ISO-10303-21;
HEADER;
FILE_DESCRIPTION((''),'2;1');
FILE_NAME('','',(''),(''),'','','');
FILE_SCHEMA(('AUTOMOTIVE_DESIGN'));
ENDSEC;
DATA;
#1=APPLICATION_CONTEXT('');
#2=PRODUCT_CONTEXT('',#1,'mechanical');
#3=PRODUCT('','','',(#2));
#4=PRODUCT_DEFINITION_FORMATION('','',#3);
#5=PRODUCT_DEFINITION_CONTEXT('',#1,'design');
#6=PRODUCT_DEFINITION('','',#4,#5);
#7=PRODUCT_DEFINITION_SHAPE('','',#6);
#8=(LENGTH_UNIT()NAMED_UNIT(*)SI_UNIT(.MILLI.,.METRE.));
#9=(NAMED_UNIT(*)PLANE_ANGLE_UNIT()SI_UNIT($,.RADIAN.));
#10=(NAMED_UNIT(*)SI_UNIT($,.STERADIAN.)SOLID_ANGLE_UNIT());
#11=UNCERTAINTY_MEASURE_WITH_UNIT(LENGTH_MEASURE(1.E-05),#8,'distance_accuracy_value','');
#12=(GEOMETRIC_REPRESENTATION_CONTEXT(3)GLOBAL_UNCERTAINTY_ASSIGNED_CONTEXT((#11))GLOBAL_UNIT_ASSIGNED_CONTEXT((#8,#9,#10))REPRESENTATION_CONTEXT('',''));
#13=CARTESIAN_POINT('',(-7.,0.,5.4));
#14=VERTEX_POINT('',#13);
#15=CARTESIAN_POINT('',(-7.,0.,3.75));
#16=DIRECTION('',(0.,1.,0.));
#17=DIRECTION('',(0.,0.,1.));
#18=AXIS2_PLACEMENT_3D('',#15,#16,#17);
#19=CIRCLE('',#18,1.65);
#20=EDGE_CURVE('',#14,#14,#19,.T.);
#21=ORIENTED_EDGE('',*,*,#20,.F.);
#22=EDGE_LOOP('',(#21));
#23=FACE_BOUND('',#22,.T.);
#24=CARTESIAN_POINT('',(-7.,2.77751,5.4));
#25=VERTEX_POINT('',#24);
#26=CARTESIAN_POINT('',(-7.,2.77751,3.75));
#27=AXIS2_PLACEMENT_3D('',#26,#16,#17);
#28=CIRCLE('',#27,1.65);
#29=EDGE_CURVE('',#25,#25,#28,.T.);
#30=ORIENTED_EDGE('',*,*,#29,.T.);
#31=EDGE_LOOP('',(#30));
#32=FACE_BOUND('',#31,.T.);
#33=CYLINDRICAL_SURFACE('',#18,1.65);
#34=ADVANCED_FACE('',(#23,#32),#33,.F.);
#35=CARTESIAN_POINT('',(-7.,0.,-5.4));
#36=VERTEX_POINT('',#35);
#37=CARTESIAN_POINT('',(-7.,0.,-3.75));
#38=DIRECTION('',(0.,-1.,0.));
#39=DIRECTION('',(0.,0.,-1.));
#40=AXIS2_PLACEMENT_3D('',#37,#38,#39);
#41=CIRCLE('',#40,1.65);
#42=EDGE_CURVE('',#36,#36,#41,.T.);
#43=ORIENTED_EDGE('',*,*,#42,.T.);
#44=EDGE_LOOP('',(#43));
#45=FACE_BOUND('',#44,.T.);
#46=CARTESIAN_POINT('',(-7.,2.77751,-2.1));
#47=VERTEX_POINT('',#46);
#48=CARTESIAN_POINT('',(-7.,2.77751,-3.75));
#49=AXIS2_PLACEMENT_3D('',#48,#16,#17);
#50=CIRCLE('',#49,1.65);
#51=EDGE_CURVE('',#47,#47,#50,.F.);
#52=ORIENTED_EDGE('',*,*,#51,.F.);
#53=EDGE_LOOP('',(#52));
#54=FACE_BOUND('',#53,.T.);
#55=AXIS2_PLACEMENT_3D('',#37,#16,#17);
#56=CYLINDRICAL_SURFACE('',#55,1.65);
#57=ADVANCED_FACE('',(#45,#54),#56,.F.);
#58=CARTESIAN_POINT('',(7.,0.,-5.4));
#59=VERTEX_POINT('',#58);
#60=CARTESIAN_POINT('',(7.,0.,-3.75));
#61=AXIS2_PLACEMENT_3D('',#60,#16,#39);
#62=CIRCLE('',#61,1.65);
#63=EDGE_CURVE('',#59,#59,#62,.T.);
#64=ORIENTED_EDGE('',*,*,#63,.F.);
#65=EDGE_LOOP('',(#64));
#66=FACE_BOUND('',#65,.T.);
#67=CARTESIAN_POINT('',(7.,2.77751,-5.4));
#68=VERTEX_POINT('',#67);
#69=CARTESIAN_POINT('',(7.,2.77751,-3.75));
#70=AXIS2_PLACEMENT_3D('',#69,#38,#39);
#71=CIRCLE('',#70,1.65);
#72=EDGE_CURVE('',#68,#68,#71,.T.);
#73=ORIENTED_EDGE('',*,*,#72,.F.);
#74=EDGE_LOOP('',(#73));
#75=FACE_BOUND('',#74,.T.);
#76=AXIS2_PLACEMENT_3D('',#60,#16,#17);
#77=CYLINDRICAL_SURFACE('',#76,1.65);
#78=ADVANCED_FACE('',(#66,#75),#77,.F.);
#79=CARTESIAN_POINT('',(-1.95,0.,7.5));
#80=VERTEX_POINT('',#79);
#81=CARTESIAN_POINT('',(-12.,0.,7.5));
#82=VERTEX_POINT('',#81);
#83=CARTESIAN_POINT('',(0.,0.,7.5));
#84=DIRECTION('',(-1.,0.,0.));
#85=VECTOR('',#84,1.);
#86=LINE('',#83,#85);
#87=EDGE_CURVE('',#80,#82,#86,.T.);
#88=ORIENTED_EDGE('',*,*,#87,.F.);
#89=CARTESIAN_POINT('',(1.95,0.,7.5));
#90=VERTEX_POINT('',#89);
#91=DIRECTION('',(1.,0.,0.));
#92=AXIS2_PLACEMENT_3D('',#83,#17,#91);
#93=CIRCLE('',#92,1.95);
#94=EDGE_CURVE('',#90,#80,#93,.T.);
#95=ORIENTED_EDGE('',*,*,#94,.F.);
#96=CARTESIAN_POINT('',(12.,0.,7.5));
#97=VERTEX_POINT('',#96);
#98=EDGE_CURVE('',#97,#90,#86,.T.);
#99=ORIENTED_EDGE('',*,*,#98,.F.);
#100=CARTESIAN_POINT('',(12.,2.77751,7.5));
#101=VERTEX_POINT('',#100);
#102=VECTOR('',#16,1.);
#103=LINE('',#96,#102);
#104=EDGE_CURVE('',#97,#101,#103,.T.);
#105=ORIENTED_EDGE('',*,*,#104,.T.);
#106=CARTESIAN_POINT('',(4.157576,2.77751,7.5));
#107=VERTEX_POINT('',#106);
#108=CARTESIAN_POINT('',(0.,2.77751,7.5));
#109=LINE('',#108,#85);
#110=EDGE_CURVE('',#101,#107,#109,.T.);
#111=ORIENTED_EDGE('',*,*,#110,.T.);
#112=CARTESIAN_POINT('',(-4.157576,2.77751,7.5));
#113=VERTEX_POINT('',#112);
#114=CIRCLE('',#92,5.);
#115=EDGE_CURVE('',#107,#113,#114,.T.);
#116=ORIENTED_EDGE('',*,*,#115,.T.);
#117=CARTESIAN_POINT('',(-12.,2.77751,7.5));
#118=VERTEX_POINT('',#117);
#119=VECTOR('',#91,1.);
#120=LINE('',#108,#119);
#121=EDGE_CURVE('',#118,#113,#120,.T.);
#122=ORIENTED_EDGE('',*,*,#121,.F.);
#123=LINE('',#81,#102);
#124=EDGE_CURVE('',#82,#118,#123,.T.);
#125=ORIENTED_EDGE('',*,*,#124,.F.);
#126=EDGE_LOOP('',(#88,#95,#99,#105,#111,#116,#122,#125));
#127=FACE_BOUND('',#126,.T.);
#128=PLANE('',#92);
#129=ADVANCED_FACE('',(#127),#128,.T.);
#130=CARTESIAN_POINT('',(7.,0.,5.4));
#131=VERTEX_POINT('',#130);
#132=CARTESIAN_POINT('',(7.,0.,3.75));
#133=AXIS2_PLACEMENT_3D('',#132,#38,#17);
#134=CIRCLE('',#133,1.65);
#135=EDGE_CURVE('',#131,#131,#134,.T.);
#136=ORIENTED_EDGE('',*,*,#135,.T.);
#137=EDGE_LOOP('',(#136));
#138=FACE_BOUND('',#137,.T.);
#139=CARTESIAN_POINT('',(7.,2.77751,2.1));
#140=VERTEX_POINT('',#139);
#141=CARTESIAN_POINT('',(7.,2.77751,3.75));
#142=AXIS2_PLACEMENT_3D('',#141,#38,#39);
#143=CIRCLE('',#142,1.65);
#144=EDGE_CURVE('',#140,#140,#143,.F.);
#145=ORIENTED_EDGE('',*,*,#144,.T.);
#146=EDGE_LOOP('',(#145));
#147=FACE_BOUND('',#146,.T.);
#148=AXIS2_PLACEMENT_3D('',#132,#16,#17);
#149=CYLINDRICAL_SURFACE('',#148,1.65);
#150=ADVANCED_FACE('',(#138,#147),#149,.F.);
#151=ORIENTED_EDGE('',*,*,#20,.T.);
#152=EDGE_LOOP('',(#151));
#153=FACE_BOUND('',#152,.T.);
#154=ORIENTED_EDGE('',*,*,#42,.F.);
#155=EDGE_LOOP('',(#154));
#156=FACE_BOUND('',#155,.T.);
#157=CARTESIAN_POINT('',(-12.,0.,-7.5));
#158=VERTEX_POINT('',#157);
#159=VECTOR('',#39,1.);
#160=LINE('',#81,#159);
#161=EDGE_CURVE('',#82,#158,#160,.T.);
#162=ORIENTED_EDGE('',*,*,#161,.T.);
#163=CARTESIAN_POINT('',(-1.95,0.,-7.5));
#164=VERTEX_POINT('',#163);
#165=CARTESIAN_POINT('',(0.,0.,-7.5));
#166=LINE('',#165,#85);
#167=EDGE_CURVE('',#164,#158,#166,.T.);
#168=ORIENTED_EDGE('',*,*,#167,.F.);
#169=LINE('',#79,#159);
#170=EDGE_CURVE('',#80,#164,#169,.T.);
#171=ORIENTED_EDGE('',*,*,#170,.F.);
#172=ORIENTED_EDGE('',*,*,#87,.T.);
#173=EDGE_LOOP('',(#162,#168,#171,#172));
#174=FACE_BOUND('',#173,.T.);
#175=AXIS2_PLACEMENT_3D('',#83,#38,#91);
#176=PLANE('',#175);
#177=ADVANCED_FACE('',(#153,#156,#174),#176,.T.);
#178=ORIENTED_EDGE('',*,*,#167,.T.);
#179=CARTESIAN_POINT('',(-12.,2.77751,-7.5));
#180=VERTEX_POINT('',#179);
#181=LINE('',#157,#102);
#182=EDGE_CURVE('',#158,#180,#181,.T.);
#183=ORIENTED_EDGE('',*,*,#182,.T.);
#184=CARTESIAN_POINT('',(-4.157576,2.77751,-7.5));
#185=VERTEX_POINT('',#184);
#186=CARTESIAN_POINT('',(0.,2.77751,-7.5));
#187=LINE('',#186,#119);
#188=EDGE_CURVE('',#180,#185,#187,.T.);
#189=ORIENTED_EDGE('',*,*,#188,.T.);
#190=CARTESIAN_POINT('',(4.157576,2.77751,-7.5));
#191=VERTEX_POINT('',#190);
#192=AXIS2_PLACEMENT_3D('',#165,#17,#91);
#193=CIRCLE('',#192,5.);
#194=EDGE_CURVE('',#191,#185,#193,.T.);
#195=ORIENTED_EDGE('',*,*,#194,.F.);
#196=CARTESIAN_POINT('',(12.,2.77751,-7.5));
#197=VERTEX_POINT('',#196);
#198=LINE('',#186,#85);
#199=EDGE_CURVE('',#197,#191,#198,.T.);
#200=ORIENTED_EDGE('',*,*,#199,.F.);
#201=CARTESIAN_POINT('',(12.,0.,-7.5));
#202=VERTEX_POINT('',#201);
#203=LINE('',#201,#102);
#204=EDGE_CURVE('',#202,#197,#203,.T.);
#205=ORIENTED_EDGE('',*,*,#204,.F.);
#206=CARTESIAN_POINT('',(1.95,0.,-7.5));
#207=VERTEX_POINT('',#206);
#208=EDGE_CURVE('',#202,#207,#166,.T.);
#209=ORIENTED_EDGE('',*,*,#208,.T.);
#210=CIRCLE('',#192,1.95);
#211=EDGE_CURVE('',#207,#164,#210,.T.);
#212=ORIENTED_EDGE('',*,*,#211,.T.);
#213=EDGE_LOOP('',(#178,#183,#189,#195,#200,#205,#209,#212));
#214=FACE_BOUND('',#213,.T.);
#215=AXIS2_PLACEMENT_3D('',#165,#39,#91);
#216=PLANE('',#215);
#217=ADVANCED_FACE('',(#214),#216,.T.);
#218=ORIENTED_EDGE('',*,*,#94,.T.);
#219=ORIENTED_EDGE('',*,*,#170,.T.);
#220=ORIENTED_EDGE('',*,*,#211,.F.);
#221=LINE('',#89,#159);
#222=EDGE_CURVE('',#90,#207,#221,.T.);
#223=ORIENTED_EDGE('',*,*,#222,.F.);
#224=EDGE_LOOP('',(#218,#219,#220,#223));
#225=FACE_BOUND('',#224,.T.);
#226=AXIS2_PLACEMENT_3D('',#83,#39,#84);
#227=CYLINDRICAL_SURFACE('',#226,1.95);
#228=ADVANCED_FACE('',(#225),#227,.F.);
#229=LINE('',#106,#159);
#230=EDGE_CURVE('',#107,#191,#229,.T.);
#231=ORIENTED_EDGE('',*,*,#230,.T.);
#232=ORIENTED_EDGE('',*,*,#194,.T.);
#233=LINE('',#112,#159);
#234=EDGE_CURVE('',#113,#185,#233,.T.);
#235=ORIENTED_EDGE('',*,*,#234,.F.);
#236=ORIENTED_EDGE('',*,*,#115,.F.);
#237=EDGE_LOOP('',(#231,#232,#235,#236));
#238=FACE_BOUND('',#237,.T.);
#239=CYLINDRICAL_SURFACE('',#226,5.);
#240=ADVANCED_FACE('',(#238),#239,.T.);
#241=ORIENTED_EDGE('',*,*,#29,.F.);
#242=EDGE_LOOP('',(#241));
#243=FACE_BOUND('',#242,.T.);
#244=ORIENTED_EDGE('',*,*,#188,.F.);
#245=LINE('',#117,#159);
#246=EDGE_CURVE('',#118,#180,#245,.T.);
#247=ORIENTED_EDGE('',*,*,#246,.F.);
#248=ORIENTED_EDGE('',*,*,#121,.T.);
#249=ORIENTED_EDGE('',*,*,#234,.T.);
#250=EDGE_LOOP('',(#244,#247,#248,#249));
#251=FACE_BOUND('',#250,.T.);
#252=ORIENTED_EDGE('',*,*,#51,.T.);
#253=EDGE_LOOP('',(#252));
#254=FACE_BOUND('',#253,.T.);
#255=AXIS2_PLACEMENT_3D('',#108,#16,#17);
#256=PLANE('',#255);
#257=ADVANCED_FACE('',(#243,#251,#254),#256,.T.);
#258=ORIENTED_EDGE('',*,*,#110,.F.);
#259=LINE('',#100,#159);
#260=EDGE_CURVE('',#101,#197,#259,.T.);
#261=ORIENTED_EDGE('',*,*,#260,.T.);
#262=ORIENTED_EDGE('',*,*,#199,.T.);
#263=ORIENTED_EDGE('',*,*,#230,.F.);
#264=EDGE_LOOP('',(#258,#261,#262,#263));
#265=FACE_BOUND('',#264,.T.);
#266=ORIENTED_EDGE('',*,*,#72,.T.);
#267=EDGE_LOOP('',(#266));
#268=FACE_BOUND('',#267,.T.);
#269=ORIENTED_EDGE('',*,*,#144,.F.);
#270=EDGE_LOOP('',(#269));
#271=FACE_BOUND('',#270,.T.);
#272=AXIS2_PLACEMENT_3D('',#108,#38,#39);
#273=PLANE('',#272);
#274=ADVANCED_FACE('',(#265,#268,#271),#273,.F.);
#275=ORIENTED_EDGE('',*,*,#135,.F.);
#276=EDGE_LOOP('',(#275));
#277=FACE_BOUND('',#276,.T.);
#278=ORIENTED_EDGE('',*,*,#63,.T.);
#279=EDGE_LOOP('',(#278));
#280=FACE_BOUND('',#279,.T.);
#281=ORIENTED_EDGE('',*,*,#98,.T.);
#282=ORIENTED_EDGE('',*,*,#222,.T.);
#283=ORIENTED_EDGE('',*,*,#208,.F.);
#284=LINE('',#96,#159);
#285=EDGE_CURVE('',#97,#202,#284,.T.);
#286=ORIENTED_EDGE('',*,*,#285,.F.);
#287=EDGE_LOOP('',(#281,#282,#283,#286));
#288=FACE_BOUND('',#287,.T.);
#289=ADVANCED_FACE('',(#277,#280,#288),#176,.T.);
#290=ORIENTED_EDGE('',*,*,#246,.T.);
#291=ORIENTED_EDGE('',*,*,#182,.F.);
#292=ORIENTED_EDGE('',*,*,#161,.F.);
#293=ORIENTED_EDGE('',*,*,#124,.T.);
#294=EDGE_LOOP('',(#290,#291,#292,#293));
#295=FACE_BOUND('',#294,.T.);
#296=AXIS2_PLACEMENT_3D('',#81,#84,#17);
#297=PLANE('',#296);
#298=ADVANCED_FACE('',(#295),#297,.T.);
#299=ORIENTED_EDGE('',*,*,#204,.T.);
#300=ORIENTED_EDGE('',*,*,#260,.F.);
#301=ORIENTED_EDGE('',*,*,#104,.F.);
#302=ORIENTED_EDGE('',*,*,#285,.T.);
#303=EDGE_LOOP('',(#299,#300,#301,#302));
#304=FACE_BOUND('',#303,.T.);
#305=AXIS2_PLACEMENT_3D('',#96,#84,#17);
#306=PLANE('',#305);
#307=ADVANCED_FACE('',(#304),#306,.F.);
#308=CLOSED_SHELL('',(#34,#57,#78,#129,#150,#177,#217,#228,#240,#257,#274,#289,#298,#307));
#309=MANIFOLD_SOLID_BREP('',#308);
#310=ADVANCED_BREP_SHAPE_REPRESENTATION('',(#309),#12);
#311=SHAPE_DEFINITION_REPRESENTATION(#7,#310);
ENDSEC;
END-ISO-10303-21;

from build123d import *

# Parameters (mm, degrees)
BOSS_EXTRUDE1_DEPTH     = 7.5
SKETCH2_R               = 1.65
CUT_EXTRUDE1_DEPTH      = 15.420976523
MIRROR2_COPY_1_SKETCH_R = 1.65
MIRROR2_COPY_1_DEPTH    = 15.420976523


with BuildPart() as part:
    # Sketch1 → Boss-Extrude1 (new body)
    with BuildSketch(Plane.XY):
        with BuildLine():
            Line((-12, 0), (-5, 0))
            ThreePointArc((-5, 0), (-4.784761162, 1.451227281), (-4.157575752, 2.777510373))
            Line((-4.157575752, 2.777510373), (-12, 2.777510373))
            Line((-12, 2.777510373), (-12, 0))
        make_face()
        with BuildLine():
            ThreePointArc((-4.157575752, 2.777510373), (-4.784761162, 1.451227281), (-5, 0))
            Line((-5, 0), (-1.95, 0))
            ThreePointArc((-1.95, 0), (-1.378858223, 1.378858223), (0, 1.95))
            Line((0, 1.95), (0, 5))
            ThreePointArc((0, 5), (-2.357164413, 4.409509716), (-4.157575752, 2.777510373))
        make_face()
        with BuildLine():
            Line((1.95, 0), (5, 0))
            ThreePointArc((5, 0), (4.784761162, 1.451227281), (4.157575752, 2.777510373))
            ThreePointArc((4.157575752, 2.777510373), (2.357164413, 4.409509716), (0, 5))
            Line((0, 5), (0, 1.95))
            ThreePointArc((0, 1.95), (1.378858223, 1.378858223), (1.95, 0))
        make_face()
        with BuildLine():
            ThreePointArc((4.157575752, 2.777510373), (4.784761162, 1.451227281), (5, 0))
            Line((5, 0), (12, 0))
            Line((12, 0), (12, 2.777510373))
            Line((12, 2.777510373), (4.157575752, 2.777510373))
        make_face()
    boss_extrude1 = extrude(amount=BOSS_EXTRUDE1_DEPTH)

    # Sketch2 → Cut-Extrude1 (cut, symmetric)
    with BuildSketch(Plane(origin=(0, 2.777510373, 0), x_dir=(1, 0, 0), z_dir=(0, 1, 0))):
        with Locations(Location((-7, -3.75, 0), (0, 0, 270))):
            Circle(SKETCH2_R)
    cut_extrude1 = extrude(amount=CUT_EXTRUDE1_DEPTH, both=True, mode=Mode.SUBTRACT)

    # Mirror1: Cut-Extrude1 across plane
    add(cut_extrude1.mirror(Plane(origin=(0, 0, 0), x_dir=(0, 0, 1), z_dir=(1, 0, 0))), mode=Mode.SUBTRACT)

    # Mirror2: Boss-Extrude1, Cut-Extrude1 across plane
    add(boss_extrude1.mirror(Plane.XY))
    add(cut_extrude1.mirror(Plane.XY), mode=Mode.SUBTRACT)

    # Mirror2 copy 1 sketch → Mirror2 copy 1 (cut, symmetric)
    with BuildSketch(Plane(origin=(0, 2.777510373, 0), x_dir=(-1, 0, 0), z_dir=(0, 1, 0))):
        with Locations(Location((-7, -3.75, 0), (0, 0, 270))):
            Circle(MIRROR2_COPY_1_SKETCH_R)
    extrude(amount=MIRROR2_COPY_1_DEPTH, both=True, mode=Mode.SUBTRACT)


solid = part.part
